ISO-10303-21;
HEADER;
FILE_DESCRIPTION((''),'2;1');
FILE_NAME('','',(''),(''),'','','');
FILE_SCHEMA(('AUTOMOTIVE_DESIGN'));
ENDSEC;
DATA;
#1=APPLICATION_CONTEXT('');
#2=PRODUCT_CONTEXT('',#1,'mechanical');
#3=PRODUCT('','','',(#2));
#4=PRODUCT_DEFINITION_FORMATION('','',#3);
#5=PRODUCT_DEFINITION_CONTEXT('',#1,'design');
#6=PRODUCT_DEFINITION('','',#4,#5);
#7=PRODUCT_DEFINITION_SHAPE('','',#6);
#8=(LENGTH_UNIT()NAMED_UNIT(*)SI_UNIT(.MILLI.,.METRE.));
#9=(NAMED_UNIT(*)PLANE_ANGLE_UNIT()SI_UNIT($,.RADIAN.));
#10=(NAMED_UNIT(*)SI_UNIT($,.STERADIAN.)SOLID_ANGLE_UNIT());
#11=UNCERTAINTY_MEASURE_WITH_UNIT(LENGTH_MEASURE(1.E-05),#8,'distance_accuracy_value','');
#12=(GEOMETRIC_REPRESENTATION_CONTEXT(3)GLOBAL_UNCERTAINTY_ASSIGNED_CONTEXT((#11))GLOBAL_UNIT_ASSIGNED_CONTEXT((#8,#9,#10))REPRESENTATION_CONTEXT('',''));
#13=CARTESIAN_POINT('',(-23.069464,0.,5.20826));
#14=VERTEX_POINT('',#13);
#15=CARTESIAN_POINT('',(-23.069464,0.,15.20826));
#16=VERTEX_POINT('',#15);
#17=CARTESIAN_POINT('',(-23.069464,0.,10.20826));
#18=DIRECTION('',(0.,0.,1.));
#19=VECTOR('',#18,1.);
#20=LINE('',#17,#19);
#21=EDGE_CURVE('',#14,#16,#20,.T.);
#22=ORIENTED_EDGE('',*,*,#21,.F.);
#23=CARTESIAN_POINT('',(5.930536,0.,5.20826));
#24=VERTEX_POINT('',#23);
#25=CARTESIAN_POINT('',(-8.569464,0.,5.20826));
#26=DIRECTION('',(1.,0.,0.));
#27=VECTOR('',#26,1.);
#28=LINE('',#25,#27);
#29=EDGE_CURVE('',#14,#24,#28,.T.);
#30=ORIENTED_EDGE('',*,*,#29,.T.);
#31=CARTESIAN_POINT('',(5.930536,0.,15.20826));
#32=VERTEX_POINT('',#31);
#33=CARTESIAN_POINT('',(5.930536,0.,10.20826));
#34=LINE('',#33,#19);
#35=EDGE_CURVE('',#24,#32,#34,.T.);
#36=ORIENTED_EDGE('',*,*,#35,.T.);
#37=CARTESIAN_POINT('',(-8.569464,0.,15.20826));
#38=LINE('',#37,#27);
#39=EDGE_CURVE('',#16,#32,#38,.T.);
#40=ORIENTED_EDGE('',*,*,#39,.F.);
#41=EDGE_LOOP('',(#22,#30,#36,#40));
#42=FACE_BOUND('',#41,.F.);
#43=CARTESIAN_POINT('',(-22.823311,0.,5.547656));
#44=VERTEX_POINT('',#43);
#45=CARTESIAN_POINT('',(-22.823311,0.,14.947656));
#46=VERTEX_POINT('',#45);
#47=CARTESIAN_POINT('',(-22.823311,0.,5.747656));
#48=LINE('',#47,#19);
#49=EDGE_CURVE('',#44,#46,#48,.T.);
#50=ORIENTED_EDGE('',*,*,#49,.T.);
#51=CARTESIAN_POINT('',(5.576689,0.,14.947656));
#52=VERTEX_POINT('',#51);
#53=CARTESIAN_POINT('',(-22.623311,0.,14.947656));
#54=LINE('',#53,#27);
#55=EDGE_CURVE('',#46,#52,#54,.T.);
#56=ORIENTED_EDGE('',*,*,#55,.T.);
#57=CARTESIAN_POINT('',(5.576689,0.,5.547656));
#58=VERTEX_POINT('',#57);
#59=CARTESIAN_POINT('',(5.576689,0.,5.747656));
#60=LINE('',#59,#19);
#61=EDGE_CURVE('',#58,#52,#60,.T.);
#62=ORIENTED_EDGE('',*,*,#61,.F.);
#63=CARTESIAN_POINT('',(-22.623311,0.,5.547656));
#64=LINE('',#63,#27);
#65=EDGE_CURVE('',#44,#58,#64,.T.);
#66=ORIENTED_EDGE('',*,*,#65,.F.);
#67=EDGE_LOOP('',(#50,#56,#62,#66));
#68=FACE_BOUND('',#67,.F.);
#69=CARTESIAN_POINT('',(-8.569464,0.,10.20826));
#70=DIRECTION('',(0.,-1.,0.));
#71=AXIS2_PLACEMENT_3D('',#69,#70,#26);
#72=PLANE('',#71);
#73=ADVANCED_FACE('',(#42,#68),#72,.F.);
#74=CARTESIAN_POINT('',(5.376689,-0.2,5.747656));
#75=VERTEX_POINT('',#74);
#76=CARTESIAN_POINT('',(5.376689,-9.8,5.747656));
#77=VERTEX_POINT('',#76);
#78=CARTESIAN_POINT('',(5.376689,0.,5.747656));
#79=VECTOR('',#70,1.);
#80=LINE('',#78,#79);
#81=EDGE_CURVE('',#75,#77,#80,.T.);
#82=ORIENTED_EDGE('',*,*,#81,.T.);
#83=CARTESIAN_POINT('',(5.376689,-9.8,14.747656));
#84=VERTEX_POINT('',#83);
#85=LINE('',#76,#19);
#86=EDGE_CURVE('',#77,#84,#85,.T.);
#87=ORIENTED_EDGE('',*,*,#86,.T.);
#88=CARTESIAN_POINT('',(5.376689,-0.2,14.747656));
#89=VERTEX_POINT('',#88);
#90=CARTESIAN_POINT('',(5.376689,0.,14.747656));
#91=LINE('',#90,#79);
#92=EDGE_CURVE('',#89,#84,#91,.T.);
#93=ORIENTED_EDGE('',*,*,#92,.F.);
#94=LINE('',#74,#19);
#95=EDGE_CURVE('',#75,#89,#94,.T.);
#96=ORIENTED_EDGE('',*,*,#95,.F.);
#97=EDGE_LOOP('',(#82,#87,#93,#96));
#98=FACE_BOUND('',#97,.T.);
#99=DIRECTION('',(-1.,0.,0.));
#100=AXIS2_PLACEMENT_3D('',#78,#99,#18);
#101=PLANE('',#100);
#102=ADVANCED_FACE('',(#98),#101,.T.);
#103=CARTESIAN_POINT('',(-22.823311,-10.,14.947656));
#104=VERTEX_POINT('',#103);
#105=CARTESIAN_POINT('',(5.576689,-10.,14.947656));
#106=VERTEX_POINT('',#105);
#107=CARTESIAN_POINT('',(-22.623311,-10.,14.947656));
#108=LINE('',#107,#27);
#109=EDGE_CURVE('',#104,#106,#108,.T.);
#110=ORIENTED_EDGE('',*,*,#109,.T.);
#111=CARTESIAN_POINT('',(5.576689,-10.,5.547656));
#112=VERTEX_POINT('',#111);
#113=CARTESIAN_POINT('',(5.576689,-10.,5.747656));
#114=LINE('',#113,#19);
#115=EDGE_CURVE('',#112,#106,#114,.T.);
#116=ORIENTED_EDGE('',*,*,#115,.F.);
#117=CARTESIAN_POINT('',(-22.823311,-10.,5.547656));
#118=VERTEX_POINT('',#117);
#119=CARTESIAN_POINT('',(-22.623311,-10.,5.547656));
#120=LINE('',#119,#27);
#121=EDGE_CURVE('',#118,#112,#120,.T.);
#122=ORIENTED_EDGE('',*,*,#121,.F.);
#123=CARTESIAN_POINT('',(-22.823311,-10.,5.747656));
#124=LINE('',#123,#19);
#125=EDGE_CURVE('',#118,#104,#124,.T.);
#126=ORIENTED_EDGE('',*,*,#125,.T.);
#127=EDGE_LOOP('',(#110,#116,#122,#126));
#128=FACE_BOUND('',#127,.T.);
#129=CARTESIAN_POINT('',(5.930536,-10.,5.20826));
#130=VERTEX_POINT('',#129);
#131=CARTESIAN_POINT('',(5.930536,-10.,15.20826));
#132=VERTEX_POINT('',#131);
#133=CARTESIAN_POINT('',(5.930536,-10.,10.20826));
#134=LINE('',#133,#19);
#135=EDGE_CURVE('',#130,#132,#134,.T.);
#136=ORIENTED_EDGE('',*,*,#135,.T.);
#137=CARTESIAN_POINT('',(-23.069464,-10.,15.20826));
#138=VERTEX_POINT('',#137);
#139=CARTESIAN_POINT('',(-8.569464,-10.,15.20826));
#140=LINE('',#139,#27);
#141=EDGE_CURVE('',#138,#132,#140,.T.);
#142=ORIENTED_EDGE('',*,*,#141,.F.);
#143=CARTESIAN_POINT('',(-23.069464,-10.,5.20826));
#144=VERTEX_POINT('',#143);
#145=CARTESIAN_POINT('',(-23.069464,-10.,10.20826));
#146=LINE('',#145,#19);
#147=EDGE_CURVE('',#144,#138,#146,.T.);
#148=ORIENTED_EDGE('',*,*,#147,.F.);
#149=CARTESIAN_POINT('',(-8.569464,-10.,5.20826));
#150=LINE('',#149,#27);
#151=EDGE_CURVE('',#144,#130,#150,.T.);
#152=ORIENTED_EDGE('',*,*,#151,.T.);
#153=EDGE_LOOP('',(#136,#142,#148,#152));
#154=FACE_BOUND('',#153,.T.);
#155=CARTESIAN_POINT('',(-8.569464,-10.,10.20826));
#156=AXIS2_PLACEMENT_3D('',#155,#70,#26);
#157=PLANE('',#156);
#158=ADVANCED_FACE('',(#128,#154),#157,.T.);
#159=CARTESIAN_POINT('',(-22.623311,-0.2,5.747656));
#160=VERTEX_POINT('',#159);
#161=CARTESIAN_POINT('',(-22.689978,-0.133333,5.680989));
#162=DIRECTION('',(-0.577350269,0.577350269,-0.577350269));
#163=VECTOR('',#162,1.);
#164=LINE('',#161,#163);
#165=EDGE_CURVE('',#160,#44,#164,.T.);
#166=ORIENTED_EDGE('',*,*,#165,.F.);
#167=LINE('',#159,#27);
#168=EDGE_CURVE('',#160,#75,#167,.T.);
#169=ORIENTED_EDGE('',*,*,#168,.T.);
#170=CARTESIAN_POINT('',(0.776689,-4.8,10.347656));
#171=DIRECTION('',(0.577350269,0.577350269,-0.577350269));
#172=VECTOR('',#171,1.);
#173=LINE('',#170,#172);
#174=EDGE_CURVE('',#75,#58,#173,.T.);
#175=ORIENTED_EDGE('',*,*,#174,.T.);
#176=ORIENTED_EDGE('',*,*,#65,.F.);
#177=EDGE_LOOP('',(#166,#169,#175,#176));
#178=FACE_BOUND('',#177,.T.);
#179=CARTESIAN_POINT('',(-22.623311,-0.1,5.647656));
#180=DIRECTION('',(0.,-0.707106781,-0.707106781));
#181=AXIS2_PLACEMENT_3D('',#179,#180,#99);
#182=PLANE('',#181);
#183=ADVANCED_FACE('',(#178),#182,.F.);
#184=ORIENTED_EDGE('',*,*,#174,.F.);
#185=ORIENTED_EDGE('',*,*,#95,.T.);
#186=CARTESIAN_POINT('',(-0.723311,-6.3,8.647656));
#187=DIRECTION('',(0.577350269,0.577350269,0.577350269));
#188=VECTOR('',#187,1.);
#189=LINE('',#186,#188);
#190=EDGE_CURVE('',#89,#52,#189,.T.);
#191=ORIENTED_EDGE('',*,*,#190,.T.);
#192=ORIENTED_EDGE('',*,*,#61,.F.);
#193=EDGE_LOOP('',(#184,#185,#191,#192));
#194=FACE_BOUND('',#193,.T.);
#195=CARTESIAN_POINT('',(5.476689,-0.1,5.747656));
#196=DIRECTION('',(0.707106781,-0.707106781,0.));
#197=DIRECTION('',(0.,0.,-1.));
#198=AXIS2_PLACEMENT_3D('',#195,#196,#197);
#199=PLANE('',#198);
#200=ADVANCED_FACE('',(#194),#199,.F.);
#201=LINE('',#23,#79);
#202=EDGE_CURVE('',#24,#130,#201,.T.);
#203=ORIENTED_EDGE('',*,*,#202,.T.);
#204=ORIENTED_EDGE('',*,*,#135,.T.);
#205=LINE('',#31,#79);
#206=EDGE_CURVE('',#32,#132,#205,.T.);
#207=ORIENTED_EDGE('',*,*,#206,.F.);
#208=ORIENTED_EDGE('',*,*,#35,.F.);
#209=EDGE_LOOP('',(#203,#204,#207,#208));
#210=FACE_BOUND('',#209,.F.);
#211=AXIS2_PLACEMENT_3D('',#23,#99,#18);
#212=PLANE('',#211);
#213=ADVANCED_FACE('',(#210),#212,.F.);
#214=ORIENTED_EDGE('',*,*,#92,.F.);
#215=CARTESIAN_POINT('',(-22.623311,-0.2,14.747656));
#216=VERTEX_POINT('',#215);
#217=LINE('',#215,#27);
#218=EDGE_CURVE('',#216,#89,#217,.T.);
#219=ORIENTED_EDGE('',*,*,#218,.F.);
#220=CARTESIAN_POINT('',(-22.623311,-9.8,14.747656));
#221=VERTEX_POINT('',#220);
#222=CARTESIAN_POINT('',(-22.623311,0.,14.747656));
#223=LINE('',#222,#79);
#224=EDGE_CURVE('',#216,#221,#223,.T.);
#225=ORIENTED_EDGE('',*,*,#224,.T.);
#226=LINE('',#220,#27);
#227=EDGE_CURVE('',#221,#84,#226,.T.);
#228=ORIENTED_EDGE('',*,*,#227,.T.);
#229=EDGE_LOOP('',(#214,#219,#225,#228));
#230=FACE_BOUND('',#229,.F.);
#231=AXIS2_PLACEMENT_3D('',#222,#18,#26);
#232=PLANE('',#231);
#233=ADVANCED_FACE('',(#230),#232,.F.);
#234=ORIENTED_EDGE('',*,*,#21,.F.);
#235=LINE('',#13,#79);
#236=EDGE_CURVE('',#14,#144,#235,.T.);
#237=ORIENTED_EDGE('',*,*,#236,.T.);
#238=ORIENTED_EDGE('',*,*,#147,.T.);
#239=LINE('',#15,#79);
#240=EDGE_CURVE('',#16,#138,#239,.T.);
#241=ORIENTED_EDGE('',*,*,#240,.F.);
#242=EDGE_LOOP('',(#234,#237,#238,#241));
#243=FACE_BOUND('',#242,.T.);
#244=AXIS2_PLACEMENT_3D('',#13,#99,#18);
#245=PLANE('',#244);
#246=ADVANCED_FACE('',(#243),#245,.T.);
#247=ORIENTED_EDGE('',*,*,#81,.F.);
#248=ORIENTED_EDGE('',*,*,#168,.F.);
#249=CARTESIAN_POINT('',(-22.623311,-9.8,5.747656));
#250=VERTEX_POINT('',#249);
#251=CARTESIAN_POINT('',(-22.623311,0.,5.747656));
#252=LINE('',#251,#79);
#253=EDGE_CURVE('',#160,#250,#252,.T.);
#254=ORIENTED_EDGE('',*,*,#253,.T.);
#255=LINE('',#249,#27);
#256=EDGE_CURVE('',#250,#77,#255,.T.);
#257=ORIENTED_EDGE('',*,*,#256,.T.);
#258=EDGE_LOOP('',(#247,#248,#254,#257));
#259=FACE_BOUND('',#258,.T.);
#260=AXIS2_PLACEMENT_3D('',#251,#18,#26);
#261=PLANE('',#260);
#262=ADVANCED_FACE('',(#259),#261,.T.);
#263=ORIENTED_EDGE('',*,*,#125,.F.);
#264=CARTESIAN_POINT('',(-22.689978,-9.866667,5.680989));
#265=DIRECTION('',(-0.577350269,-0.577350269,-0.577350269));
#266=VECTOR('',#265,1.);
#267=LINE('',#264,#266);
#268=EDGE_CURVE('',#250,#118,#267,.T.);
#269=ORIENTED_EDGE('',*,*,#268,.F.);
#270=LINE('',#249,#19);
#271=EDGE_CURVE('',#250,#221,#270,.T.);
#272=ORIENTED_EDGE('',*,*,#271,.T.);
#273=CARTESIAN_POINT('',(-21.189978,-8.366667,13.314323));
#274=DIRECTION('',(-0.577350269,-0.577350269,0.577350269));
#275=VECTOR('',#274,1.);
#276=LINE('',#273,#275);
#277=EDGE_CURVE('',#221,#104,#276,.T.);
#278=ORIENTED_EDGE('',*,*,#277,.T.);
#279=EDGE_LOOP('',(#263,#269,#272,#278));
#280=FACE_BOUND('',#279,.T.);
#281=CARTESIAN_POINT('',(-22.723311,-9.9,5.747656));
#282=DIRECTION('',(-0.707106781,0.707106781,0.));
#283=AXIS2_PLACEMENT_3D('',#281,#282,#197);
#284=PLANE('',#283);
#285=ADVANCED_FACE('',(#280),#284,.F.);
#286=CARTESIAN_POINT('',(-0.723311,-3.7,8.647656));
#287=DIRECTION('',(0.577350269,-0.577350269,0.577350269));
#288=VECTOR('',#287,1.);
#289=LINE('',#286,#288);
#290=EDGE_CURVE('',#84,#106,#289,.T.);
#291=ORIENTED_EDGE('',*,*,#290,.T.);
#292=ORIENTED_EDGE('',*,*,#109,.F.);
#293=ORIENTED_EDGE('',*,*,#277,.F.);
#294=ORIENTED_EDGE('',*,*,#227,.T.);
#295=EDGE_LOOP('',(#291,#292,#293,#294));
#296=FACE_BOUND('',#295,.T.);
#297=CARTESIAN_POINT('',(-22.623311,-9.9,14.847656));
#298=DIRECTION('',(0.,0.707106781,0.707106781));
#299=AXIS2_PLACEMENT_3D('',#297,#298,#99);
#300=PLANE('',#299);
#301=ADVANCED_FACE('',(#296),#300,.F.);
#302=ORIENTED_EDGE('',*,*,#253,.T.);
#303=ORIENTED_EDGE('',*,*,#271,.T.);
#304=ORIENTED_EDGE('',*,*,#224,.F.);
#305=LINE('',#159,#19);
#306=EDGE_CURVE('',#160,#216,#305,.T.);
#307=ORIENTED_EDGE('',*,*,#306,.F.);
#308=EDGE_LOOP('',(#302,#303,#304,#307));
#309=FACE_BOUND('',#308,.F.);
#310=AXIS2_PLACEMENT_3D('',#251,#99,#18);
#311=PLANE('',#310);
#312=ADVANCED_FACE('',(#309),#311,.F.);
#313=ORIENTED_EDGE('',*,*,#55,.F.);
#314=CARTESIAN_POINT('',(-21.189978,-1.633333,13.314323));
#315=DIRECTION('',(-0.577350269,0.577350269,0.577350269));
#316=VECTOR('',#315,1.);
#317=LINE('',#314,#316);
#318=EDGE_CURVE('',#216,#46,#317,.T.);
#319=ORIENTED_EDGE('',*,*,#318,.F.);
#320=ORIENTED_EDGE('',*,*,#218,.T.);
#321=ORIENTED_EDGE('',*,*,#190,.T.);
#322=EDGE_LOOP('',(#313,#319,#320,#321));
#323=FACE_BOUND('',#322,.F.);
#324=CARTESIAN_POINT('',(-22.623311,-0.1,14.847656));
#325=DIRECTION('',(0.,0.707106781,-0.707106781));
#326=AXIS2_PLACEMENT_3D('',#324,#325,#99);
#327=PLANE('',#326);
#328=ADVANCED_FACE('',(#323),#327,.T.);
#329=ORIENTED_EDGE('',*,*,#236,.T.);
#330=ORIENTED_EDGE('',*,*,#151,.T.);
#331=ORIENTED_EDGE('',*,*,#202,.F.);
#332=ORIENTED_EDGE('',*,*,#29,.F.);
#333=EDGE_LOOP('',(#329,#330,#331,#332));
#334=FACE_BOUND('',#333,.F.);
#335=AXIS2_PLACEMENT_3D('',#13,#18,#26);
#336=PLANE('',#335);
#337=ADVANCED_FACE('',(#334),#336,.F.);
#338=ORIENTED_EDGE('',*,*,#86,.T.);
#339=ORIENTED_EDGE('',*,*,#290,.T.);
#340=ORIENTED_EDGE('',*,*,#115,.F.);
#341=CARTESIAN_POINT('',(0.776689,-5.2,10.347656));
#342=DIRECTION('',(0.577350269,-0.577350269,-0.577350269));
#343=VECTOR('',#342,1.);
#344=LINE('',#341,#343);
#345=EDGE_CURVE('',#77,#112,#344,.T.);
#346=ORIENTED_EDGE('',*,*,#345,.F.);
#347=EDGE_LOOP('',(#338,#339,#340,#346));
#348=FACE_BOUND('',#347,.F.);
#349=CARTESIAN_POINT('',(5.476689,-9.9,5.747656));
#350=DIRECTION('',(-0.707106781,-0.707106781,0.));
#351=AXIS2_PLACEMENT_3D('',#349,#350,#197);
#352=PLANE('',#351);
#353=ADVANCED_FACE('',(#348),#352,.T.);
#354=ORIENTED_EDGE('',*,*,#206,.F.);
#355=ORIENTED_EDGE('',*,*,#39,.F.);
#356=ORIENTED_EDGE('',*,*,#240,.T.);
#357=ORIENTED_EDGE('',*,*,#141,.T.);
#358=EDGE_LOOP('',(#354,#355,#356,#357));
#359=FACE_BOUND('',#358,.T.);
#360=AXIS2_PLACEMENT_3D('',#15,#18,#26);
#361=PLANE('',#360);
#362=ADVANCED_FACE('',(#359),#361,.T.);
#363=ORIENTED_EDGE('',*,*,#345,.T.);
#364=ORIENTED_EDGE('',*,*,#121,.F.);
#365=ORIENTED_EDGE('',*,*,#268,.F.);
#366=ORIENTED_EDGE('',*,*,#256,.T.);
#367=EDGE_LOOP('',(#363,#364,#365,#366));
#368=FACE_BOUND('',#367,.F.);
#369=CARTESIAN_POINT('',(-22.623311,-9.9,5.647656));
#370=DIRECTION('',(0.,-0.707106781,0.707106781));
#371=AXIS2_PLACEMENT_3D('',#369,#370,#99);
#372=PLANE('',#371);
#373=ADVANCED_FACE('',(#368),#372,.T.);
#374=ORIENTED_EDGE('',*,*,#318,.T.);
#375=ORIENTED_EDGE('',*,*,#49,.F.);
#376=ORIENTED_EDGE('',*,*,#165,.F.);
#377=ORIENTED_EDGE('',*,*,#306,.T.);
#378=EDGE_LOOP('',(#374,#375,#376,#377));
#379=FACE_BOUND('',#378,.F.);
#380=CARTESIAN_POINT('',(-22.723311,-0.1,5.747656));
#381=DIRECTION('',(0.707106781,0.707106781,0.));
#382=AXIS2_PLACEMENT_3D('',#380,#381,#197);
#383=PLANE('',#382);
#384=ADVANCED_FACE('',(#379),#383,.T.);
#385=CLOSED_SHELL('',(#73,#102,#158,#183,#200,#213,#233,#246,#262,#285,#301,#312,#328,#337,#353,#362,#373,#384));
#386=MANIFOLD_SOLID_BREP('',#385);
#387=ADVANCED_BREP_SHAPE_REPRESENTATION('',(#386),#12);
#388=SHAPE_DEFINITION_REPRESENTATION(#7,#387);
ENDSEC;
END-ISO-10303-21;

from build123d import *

# Parameters (mm, degrees)
F0_W     = 29
F0_H     = 10
F0_W_2   = 28
F0_H_2   = 9
F1_DEPTH = 10
F2_SIZE  = 0.2


with BuildPart() as f1:
    # F0 (on Front) → F1 (new body)
    with BuildSketch(Plane.XZ):
        with Locations((-8.569464, 10.20826)):
            Rectangle(F0_W, F0_H)
        with Locations((-8.623311, 10.247656)):
            Rectangle(F0_W_2, F0_H_2, mode=Mode.SUBTRACT)
    extrude(amount=F1_DEPTH)

    # F2
    f2_edges = [f1.edges().sort_by_distance(p)[0] for p in [
        (-8.623311, -10, 5.747656),
        (-8.623311, -10, 14.747656),
        (5.376689, -10, 10.247656),
        (-22.623311, -10, 10.247656),
        (-22.623311, 0, 10.247656),
        (-8.623311, 0, 14.747656),
        (-8.623311, 0, 5.747656),
        (5.376689, 0, 10.247656),
    ]]
    chamfer(f2_edges, length=F2_SIZE)


solid = f1.part
